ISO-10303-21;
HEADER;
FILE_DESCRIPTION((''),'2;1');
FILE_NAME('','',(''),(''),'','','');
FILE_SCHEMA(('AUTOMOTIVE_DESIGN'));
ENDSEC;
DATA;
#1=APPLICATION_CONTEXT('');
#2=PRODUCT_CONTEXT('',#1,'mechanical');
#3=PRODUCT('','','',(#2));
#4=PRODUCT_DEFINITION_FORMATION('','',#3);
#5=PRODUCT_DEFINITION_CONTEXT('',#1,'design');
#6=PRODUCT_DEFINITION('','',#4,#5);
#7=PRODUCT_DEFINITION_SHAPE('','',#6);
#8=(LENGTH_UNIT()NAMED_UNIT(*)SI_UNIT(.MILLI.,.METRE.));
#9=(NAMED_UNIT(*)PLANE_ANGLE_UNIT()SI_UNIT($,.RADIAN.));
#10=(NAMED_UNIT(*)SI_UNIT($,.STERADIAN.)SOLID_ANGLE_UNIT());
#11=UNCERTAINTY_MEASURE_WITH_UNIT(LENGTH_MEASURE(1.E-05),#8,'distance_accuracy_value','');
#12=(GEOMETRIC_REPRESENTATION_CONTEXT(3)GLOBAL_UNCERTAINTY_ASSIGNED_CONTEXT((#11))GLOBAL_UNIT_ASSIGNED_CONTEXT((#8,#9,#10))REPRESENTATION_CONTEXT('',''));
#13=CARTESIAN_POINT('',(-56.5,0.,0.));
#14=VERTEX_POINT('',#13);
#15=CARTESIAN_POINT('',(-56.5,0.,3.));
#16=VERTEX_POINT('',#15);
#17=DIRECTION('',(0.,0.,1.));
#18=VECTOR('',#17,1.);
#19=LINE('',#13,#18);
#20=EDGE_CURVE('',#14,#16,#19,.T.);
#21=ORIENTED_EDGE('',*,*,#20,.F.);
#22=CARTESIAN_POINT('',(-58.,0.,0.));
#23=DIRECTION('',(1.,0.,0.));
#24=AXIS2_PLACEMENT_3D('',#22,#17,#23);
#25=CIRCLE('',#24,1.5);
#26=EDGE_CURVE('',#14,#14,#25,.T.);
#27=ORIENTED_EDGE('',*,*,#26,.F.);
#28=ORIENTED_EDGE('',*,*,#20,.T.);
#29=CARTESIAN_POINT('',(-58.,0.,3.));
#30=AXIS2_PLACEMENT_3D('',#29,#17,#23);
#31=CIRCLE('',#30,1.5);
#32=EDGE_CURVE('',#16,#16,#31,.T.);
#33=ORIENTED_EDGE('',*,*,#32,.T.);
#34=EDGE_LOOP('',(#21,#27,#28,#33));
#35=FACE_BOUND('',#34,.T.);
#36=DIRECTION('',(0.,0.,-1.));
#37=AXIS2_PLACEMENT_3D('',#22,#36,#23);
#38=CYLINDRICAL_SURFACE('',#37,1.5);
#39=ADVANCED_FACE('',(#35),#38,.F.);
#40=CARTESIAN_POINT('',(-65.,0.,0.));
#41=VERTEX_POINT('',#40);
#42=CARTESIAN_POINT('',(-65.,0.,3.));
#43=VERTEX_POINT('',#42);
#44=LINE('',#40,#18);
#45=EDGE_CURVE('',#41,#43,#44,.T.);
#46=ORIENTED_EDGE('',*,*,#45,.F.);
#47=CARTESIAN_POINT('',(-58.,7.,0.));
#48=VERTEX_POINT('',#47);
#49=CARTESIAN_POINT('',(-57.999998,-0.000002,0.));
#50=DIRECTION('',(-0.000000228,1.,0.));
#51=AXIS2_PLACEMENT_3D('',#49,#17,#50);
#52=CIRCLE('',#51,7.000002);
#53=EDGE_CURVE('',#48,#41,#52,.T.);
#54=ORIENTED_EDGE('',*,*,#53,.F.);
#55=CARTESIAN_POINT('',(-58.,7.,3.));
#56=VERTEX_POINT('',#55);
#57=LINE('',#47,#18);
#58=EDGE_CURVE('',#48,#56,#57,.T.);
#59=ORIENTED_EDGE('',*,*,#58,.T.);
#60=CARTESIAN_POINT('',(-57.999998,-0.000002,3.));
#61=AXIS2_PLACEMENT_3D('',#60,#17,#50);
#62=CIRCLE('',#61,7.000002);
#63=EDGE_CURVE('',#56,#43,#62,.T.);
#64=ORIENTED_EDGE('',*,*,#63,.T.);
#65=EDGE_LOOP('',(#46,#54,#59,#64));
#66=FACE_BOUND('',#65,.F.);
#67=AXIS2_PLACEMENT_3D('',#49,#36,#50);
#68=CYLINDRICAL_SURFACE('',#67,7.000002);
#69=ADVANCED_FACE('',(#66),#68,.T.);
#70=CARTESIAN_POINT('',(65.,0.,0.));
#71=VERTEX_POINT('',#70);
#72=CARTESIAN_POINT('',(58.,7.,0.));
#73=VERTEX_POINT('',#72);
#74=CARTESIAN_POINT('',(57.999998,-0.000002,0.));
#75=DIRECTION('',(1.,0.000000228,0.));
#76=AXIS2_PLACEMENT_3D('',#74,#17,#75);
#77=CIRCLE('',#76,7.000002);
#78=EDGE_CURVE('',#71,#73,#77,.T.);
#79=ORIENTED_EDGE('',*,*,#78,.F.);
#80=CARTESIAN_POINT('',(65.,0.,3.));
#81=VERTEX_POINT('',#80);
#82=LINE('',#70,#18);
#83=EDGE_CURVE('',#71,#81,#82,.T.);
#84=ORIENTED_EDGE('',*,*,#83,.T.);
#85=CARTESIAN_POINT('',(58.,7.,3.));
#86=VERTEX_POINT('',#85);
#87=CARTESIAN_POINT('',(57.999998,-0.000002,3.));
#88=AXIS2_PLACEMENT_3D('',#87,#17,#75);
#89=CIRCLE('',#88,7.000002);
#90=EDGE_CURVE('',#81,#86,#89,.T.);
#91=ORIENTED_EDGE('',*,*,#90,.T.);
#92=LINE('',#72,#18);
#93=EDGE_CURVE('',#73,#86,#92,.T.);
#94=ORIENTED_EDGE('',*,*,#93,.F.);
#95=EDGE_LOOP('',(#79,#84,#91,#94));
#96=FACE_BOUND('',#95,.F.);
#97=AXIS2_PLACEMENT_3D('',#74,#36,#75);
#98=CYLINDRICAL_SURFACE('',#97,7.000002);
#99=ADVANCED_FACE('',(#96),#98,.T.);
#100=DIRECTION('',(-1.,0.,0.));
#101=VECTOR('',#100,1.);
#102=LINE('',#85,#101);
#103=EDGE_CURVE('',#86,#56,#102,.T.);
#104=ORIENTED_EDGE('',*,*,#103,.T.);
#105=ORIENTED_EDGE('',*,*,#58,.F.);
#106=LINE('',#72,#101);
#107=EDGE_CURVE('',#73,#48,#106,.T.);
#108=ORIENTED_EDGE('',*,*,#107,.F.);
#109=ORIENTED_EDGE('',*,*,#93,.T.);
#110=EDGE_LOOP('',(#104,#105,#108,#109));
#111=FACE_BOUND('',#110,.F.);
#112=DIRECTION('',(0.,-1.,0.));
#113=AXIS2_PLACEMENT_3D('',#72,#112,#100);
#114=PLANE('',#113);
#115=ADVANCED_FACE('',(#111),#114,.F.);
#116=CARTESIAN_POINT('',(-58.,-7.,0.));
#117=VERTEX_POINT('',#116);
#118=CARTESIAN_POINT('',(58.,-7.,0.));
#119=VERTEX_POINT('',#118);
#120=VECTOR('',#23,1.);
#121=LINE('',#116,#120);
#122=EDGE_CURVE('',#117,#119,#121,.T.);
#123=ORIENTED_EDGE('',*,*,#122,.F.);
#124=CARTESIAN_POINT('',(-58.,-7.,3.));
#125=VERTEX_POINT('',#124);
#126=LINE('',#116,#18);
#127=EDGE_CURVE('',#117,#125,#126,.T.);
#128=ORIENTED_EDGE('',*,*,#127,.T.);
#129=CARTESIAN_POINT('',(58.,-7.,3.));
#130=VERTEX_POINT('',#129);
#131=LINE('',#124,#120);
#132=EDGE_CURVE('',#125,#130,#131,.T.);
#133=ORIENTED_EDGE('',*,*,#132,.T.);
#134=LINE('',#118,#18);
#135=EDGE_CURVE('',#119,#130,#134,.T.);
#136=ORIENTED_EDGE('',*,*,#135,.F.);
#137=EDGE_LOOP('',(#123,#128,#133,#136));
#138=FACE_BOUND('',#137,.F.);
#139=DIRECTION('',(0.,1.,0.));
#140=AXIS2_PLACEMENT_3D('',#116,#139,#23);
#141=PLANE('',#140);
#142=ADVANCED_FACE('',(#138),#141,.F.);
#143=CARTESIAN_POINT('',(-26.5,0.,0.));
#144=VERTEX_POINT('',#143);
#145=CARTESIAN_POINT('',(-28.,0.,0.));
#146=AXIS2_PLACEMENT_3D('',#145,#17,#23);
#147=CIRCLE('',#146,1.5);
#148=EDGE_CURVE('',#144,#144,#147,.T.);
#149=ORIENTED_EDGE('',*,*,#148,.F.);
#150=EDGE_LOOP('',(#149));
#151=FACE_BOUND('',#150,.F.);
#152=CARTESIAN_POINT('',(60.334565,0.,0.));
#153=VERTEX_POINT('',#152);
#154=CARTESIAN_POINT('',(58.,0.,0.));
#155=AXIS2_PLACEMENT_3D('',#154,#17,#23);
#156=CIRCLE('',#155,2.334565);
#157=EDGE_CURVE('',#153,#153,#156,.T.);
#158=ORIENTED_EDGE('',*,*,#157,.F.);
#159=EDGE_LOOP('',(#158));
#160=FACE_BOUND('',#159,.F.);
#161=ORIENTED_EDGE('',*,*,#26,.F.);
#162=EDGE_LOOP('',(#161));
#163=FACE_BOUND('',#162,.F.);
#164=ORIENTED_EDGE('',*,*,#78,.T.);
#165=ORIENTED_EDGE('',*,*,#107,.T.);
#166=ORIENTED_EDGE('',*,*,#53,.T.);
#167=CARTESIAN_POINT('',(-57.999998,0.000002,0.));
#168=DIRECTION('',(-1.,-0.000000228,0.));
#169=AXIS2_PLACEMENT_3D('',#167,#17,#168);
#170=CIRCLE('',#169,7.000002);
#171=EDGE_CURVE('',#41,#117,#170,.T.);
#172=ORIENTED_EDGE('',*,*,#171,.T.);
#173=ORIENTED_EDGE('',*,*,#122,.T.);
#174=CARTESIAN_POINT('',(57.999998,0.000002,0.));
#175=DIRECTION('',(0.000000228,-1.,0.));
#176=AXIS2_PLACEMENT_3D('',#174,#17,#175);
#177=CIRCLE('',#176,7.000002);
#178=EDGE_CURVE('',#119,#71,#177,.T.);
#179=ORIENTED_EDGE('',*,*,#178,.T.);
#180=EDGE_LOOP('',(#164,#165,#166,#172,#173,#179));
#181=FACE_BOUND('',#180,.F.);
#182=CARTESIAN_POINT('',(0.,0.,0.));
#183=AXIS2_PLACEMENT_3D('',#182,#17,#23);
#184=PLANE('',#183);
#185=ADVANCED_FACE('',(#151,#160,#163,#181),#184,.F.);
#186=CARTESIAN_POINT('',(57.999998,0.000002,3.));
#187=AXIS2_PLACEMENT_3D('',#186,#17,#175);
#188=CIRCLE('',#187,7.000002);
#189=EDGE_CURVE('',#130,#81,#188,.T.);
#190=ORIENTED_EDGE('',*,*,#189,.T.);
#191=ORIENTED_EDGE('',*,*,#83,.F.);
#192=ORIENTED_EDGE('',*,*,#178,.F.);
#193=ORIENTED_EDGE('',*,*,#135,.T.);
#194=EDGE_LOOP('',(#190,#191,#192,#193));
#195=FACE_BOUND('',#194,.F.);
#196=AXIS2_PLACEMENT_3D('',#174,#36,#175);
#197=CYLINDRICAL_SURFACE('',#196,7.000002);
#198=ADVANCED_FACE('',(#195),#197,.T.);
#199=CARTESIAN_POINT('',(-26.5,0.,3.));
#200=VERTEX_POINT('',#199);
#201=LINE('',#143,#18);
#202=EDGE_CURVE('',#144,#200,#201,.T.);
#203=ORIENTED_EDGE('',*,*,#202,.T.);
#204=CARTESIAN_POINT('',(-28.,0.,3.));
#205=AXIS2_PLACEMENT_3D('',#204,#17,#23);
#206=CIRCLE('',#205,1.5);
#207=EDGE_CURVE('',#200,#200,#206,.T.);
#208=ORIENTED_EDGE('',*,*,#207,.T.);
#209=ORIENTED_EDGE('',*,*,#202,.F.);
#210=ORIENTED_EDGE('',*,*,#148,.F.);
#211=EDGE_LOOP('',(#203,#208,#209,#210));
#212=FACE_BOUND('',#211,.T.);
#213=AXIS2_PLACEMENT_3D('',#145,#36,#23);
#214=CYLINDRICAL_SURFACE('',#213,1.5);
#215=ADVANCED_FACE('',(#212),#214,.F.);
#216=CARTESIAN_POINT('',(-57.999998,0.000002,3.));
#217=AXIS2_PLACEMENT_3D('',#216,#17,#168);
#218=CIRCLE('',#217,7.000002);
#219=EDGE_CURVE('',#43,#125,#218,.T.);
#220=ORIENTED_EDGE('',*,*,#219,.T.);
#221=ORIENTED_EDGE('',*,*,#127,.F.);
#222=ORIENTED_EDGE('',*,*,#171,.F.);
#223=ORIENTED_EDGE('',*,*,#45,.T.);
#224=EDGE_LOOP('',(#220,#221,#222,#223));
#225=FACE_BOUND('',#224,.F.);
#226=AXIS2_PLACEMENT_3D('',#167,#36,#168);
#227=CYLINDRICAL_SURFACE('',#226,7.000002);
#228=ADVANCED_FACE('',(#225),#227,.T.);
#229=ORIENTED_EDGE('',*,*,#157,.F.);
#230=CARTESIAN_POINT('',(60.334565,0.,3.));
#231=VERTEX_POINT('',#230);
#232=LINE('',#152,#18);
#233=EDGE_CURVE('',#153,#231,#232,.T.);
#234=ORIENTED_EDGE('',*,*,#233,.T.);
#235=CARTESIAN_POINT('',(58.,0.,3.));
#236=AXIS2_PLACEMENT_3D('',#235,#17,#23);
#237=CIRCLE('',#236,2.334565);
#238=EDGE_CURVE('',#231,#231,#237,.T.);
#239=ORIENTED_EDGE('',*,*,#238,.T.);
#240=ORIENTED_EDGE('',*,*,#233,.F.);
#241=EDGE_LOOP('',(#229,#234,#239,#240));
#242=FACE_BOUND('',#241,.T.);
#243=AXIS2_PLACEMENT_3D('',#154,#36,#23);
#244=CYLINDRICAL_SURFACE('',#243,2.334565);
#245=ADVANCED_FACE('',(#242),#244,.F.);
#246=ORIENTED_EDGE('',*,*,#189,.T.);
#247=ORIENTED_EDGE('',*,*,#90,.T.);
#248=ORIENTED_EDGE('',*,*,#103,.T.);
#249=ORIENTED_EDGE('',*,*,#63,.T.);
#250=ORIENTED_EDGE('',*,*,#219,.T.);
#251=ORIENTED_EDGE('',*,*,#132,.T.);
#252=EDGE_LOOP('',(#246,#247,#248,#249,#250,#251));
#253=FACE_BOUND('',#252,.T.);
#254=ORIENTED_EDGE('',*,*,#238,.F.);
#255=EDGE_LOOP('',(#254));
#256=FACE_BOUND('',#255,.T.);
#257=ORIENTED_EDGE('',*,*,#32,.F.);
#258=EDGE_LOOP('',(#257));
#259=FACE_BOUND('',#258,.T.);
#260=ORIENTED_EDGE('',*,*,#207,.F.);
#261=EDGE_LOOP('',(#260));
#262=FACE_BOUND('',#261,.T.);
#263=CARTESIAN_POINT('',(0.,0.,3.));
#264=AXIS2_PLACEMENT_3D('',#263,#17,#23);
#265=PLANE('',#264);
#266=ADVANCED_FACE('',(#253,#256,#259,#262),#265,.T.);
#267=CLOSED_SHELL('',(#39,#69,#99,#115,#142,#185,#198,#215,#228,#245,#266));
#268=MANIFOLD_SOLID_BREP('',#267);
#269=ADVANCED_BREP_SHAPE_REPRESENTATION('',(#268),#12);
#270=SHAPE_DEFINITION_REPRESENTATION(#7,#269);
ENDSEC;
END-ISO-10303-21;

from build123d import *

# Parameters (mm, degrees)
F0_R     = 1.5
F0_R_2   = 2.334565
F1_DEPTH = 3


with BuildPart() as f1:
    # F0 (on Top) → F1 (new body)
    with BuildSketch(Plane.XY):
        with BuildLine():
            ThreePointArc((-65, 0), (-62.949747, -4.949747), (-58, -7))
            Line((-58, -7), (58, -7))
            ThreePointArc((58, -7), (62.949747, -4.949747), (65, 0))
            ThreePointArc((65, 0), (62.949747, 4.949747), (58, 7))
            Line((58, 7), (-58, 7))
            ThreePointArc((-58, 7), (-62.949747, 4.949747), (-65, 0))
        make_face()
        with Locations((-58, 0)):
            Circle(F0_R, mode=Mode.SUBTRACT)
        with Locations((-28, 0)):
            Circle(F0_R, mode=Mode.SUBTRACT)
        with Locations((58, 0)):
            Circle(F0_R_2, mode=Mode.SUBTRACT)
    extrude(amount=F1_DEPTH)


solid = f1.part
